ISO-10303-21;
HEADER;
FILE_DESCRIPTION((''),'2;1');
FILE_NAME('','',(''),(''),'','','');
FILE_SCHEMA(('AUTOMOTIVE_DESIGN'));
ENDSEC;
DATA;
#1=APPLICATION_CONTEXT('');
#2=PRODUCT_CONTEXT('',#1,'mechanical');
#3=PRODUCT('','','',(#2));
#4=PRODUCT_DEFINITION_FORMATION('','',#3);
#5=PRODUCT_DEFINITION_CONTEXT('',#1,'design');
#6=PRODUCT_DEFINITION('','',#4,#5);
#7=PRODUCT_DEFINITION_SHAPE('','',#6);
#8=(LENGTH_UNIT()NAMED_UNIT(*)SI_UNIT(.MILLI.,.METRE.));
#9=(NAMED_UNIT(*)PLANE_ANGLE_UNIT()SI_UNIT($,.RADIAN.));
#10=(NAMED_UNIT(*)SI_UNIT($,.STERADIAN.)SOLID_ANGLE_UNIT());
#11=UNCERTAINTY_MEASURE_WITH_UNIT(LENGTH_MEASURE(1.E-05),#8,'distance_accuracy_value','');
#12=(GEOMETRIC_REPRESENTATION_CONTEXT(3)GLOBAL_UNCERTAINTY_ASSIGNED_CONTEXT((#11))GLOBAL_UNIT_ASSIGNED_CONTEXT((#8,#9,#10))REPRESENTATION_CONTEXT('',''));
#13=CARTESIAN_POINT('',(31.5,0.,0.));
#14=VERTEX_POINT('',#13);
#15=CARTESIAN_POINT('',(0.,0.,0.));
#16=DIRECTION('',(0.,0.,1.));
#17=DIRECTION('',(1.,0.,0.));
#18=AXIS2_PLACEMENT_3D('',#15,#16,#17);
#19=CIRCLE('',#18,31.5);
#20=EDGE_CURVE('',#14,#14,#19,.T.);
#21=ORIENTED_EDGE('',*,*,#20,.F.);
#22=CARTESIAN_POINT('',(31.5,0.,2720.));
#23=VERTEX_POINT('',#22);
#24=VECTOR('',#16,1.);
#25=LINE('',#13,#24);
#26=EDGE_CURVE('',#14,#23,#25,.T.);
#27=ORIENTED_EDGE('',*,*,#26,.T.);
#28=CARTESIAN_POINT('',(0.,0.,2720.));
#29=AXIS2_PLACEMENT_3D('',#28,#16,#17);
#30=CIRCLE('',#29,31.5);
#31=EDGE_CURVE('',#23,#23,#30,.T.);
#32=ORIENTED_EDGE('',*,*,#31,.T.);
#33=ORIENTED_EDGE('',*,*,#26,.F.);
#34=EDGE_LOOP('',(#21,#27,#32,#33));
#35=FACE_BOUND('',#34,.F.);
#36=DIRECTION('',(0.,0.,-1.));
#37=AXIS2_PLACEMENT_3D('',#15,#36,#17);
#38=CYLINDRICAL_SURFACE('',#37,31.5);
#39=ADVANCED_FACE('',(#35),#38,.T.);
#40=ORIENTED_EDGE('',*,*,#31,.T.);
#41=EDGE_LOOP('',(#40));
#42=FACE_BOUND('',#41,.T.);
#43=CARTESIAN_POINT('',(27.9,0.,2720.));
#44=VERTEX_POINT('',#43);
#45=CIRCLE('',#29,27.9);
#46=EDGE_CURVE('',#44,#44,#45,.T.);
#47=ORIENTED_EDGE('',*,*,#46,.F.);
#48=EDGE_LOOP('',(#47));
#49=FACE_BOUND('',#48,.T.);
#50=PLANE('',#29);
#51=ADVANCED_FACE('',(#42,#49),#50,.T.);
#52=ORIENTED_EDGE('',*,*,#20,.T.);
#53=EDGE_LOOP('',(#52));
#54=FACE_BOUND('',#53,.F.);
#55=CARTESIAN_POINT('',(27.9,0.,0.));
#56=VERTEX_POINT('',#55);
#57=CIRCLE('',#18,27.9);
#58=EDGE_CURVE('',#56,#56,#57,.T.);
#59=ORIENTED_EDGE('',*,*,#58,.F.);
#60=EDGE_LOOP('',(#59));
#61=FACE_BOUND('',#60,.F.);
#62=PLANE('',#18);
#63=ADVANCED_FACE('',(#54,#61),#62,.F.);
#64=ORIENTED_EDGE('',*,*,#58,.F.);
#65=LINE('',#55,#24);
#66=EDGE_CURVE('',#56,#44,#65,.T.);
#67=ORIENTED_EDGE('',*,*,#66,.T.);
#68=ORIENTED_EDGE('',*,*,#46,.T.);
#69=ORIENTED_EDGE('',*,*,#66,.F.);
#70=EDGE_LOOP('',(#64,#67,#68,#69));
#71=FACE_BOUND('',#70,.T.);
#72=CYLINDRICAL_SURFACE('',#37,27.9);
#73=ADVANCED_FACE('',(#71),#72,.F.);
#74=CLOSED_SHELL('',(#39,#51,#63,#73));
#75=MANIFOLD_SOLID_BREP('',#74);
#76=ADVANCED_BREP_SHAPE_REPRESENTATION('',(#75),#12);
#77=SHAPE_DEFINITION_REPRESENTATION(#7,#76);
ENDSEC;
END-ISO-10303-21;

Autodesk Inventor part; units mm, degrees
ref_plane "YZ Plane" through (0, 0, 0) normal (1, 0, 0) x (0, 1, 0)
sketch "Sketch1" plane through (0, 0, 0) normal (0, 0, 1) x (1, 0, 0)
  circle A0 centre (0, 0) radius 31.5
  circle A1 centre (0, 0) radius 27.9
  dimension "d0" = 63
  dimension "d2" = 3.6
extrude "Extrusion1" add sketch "Sketch1" along normal blind 2720
sketch "Sketch4" plane through (0, 0, 2720) normal (0, 0, 1) x (1, 0, 0)
  circle A0 centre (0, 0) radius 27.9 projected
  circle A1 centre (0, 0) radius 31.5 projected
  point P0 (0, 31.5)
ref_plane "Work Plane2" through (0, 31.5, 2720) normal (0, 1, 0) x (-1, 0, 0)
sketch "Sketch5" plane through (0, 31.5, 2720) normal (0, 1, 0) x (-1, 0, 0)
  circle A0 centre (0, -20) radius 2.0895
  line L0 (31.5, 0) -> (-31.5, 0) projected
  point P0 (0, -2720)
  dimension "d16" = 20
hole "Hole2" [suppressed]
ref_plane "Work Plane3" through (0, 30, 0) normal (0, 1, 0) x (-1, 0, 0)
sketch "Sketch6" plane through (0, 30, 0) normal (0, 1, 0) x (-1, 0, 0)
  line L0 (-12.0739, 2711.7079) -> (13.0933, 2711.7079)
  line L1 (13.0933, 2711.7079) -> (13.0933, 2720)
  line L2 (13.0933, 2720) -> (-12.0739, 2720)
  line L3 (-12.0739, 2720) -> (-12.0739, 2711.7079)
  line L4 (31.5, 2720) -> (-31.5, 2720) projected
  point P0 (0, 0)
  dimension "d28" = 8.2921
extrude "Extrusion2" [suppressed]
properties part number "sparHoriz2720" material "PVC-Piping"
